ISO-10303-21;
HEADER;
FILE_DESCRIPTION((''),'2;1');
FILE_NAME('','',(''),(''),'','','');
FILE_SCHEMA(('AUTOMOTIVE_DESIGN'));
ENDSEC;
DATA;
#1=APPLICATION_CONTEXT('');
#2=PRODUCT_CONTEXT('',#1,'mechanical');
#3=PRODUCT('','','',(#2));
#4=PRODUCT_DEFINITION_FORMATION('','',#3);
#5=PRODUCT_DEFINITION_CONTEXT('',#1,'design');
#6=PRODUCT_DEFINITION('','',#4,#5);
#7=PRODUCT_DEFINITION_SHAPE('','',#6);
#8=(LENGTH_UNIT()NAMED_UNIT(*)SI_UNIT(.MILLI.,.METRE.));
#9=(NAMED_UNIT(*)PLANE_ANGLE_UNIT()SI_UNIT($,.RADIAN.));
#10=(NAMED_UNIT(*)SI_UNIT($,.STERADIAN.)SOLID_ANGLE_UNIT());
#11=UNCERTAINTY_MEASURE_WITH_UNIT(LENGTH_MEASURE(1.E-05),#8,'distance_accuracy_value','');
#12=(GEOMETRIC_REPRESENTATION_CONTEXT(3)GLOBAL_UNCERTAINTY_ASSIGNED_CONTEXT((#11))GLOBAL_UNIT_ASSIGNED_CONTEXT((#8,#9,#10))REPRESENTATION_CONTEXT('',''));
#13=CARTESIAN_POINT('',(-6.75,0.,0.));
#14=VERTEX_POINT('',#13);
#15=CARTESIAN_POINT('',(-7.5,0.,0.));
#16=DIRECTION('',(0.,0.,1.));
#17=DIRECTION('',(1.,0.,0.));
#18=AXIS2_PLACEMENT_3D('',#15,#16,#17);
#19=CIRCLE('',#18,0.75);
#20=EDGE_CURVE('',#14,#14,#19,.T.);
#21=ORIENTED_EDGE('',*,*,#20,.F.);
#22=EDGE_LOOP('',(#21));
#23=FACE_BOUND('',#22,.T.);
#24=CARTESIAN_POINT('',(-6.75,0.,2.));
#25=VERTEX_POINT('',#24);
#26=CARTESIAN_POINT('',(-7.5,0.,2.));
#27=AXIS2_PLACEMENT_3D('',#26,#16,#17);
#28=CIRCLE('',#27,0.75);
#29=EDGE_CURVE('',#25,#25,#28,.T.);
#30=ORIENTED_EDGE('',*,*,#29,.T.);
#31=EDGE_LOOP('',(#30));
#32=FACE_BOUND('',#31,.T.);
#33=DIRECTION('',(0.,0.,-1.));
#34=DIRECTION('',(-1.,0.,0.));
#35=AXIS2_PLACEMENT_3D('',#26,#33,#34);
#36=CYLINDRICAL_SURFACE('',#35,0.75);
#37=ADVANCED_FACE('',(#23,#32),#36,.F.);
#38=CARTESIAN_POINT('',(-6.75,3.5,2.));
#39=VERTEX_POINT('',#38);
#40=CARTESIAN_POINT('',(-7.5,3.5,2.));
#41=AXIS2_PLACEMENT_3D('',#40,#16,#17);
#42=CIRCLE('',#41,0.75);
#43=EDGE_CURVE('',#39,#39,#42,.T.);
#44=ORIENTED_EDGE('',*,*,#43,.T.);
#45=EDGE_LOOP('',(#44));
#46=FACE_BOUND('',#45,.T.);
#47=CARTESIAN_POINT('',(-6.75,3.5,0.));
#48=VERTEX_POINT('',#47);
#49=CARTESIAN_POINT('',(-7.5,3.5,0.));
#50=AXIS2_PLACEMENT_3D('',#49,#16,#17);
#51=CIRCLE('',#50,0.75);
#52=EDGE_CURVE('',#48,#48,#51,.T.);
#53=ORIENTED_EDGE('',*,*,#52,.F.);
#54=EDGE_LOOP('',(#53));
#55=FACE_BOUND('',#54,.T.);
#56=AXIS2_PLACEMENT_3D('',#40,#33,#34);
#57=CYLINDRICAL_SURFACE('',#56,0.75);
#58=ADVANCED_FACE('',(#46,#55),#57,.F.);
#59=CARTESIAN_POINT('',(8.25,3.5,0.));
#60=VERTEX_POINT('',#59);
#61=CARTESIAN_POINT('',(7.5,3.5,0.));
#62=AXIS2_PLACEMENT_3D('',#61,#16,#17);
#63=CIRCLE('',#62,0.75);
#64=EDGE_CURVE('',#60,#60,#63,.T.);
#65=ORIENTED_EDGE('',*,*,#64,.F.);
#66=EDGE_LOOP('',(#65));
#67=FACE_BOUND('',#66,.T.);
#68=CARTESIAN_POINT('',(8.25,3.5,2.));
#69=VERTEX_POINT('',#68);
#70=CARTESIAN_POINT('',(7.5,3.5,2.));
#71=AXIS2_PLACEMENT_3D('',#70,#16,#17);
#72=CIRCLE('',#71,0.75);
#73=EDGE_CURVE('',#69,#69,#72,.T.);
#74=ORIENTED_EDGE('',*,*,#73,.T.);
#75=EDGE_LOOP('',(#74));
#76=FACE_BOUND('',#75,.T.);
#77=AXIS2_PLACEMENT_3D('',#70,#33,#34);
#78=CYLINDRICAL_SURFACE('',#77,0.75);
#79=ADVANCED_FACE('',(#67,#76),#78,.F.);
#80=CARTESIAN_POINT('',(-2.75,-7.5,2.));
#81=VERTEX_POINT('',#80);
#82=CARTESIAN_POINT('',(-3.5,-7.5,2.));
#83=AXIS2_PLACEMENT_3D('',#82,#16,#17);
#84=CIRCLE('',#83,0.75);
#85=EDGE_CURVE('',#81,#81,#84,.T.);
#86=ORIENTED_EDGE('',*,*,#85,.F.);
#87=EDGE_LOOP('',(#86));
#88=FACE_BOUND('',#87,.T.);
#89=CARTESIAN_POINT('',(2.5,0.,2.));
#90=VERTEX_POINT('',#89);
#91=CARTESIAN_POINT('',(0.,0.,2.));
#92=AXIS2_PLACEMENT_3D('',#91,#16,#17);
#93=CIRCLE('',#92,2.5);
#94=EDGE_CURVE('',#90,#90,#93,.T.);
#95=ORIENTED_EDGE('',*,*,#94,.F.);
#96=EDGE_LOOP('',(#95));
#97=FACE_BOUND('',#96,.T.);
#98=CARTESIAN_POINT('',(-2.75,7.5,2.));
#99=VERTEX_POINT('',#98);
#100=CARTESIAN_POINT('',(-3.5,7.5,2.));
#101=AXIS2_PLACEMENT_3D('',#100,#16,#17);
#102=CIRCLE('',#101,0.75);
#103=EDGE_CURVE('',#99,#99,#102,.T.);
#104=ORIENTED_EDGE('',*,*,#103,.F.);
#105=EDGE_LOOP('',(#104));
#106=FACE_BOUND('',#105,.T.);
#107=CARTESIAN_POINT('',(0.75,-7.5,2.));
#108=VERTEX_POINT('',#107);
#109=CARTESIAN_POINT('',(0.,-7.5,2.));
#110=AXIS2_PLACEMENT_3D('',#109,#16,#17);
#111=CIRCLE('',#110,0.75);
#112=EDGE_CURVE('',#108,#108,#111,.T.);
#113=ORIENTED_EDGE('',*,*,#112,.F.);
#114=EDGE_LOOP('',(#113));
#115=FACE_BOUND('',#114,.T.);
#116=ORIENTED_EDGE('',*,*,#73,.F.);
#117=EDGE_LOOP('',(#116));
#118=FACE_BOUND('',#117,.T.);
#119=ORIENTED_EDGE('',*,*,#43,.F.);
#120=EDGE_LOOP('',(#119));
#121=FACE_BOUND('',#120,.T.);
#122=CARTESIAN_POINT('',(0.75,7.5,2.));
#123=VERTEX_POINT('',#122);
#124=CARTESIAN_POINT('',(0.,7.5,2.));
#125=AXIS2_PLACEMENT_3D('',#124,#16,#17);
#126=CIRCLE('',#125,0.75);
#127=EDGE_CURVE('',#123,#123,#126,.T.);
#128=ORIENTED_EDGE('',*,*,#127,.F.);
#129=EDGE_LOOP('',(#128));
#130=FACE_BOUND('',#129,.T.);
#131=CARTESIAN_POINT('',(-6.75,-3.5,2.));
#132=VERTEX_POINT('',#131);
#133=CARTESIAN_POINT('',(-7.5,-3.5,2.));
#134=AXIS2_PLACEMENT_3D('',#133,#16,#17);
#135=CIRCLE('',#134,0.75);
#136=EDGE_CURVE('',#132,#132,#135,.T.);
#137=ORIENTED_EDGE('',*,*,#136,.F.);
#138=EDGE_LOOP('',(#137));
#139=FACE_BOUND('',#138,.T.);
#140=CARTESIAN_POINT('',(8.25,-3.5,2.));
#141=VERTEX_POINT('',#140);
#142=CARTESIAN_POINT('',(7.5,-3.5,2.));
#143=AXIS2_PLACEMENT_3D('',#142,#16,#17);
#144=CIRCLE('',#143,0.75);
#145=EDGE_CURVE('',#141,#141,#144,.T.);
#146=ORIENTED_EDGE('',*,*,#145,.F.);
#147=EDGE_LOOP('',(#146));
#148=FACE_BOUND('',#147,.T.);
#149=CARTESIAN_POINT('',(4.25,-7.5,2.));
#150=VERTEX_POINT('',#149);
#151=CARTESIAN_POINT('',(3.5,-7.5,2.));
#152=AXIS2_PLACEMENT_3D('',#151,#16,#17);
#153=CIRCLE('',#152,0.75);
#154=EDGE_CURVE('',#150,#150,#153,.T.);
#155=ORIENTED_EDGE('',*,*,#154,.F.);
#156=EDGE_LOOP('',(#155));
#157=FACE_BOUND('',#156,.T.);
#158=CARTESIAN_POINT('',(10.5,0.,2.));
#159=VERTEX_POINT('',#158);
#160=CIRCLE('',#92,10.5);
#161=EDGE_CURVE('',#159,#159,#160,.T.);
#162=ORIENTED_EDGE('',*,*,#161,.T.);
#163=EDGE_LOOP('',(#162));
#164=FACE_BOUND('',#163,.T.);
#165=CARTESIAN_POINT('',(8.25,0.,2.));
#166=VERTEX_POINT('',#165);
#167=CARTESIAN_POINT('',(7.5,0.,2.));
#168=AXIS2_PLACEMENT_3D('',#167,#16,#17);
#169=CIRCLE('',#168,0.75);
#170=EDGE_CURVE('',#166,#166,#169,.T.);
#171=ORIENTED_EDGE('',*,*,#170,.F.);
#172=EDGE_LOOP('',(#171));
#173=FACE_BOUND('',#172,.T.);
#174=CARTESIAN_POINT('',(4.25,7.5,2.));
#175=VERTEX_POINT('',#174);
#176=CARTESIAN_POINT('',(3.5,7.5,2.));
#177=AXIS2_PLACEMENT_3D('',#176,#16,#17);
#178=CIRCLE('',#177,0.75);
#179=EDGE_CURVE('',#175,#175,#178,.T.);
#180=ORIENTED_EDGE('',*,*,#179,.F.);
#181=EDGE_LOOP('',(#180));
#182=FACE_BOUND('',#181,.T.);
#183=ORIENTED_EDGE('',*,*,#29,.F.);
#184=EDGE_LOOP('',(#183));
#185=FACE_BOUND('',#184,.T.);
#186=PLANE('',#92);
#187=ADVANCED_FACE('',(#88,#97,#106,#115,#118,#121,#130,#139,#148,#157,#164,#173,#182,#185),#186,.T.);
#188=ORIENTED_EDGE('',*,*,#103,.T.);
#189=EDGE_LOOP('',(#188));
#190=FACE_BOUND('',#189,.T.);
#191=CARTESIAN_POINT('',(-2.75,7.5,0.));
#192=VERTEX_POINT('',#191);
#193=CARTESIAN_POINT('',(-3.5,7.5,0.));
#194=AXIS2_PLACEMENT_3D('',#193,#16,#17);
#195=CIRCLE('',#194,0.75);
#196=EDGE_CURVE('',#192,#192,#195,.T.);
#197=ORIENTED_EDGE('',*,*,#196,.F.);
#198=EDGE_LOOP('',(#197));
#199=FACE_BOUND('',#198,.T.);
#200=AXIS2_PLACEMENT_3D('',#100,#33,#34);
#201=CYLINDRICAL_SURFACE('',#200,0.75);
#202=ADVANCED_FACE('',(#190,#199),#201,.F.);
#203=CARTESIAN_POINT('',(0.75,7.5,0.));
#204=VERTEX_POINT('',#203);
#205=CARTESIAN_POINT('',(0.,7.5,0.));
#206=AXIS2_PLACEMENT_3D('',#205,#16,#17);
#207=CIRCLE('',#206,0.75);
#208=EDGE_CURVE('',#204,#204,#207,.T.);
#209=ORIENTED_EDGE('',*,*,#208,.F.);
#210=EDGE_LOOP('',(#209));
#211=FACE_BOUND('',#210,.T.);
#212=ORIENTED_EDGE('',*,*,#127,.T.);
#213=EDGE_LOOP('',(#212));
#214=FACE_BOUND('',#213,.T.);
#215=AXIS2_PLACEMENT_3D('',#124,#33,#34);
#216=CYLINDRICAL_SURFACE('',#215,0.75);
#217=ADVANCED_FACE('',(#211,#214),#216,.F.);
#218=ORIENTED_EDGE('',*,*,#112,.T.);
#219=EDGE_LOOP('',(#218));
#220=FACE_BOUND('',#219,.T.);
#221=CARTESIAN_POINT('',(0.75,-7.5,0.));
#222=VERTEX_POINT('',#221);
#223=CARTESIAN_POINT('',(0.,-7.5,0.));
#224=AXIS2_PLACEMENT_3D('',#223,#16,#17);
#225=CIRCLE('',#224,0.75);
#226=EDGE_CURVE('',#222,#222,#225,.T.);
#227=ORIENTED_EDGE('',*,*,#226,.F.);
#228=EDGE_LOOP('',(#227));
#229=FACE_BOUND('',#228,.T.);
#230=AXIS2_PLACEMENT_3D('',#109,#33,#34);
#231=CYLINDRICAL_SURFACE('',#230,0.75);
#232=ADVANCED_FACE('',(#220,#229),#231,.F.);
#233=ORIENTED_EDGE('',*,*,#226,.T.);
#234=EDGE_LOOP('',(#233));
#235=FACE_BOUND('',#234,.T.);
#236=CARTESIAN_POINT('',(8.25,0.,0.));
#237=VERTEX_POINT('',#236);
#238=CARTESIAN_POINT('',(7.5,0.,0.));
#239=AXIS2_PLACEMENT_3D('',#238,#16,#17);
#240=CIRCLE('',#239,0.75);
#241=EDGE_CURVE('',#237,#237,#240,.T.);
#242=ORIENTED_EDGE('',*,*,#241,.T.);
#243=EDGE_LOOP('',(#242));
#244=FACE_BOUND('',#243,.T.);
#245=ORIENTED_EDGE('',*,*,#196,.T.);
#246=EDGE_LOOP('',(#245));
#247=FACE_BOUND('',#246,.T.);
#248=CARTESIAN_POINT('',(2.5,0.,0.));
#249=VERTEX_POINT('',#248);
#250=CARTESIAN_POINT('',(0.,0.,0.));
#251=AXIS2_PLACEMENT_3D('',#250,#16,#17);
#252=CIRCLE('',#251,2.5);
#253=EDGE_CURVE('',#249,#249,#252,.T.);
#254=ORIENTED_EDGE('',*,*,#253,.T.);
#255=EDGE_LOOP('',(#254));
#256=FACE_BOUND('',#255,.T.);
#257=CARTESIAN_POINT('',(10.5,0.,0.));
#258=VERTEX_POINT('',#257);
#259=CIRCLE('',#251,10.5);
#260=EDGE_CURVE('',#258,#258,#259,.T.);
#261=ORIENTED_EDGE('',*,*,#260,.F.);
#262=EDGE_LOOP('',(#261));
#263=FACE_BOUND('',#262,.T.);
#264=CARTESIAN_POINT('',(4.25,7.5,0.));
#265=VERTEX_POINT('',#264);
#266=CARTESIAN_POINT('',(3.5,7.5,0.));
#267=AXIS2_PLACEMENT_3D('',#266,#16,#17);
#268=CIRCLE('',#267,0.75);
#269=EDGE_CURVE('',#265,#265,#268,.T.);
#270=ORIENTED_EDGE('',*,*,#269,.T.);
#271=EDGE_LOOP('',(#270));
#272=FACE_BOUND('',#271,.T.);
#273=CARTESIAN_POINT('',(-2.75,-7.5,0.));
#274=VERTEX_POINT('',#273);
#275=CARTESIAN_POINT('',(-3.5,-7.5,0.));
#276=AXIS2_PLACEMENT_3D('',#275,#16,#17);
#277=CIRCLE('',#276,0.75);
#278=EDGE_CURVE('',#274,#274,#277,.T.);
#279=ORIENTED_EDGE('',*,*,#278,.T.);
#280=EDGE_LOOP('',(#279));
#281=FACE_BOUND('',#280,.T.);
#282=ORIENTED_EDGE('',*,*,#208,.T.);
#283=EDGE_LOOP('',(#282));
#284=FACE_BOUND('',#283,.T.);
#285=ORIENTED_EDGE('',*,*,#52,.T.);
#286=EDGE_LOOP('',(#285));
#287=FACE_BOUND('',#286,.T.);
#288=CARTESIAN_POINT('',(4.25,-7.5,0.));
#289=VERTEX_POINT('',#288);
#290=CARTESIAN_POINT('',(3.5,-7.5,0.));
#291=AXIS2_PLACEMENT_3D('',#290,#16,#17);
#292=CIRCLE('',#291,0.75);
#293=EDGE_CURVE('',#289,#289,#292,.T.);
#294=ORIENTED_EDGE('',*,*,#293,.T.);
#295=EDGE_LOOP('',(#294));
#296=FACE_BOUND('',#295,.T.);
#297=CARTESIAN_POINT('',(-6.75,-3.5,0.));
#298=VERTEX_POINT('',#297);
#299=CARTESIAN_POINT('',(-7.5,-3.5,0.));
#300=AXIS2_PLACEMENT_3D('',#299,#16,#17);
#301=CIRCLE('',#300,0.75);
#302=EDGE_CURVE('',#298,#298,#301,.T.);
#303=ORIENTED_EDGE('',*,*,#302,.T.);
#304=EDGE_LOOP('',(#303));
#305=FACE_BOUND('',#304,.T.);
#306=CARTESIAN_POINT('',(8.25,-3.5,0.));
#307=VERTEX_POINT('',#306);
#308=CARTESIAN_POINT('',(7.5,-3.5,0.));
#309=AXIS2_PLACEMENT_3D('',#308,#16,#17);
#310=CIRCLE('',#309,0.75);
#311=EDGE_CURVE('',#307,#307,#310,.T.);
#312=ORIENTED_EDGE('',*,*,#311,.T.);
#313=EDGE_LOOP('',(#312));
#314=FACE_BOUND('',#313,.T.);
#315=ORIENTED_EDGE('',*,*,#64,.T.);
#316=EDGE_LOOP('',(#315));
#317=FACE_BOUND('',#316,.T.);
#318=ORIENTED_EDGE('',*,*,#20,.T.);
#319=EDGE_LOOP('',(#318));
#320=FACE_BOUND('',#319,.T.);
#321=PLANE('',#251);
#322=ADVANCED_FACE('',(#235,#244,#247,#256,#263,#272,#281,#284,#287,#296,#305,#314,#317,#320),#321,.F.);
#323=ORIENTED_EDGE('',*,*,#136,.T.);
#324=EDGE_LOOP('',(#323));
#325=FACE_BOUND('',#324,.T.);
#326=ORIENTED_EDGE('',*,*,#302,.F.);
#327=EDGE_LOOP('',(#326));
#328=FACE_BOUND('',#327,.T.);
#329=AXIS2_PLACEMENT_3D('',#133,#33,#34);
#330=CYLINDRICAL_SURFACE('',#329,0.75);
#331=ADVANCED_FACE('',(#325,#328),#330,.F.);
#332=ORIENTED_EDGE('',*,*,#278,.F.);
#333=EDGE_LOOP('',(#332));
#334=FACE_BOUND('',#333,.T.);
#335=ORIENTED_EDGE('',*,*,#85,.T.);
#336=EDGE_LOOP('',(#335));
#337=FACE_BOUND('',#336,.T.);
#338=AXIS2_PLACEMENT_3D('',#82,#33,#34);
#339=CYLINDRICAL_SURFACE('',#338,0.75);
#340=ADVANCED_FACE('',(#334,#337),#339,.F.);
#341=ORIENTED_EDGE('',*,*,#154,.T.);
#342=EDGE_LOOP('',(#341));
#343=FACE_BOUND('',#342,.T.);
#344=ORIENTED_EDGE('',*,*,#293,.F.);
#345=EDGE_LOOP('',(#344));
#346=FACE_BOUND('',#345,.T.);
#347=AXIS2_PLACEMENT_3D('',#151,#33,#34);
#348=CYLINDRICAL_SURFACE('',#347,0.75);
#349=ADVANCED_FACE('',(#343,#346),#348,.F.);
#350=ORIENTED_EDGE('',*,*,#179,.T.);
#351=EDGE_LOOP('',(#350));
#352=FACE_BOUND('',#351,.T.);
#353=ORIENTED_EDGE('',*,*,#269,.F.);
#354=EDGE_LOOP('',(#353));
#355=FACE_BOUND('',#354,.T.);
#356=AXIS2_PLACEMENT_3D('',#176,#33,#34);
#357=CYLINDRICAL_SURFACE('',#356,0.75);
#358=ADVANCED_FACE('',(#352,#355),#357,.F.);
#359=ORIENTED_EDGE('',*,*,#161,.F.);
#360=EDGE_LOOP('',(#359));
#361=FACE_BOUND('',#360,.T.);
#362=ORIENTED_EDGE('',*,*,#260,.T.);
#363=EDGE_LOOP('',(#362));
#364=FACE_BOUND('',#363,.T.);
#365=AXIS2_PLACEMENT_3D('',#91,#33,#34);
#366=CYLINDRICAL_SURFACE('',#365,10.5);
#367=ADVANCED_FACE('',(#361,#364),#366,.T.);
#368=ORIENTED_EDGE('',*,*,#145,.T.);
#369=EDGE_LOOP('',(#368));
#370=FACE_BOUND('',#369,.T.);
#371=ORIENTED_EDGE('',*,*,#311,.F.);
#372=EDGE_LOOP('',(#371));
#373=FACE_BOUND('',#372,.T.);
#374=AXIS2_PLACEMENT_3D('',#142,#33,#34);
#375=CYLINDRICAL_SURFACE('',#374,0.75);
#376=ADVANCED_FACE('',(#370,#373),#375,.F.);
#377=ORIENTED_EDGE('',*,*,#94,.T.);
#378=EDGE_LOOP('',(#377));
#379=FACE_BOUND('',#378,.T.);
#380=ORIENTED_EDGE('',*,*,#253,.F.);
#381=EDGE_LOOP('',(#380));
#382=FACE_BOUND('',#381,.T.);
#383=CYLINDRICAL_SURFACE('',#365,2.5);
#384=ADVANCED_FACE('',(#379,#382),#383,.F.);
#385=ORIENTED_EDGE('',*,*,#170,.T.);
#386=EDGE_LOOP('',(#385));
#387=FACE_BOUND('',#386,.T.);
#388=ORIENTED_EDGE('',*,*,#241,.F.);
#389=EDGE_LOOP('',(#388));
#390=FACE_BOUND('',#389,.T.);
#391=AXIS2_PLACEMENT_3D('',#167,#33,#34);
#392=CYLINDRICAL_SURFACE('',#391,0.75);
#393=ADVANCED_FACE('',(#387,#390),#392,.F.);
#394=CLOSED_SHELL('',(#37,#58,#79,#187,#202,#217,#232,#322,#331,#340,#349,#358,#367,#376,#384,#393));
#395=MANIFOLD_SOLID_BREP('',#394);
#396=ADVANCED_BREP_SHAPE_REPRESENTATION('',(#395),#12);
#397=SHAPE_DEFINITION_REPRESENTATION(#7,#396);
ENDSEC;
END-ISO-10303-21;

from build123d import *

# Parameters (mm, degrees)
CROQUIS1_R              = 10.5
CROQUIS1_R_2            = 0.75
CROQUIS1_R_3            = 2.5
SALIENTE_EXTRUIR1_DEPTH = 2


with BuildPart() as part:
    # Croquis1 → Saliente-Extruir1 (new body)
    with BuildSketch(Plane.XY):
        Circle(CROQUIS1_R)
        with Locations((0, 7.5)):
            Circle(CROQUIS1_R_2, mode=Mode.SUBTRACT)
        with Locations((-3.5, 7.5)):
            Circle(CROQUIS1_R_2, mode=Mode.SUBTRACT)
        with Locations((3.5, 7.5)):
            Circle(CROQUIS1_R_2, mode=Mode.SUBTRACT)
        with Locations((7.5, 3.5)):
            Circle(CROQUIS1_R_2, mode=Mode.SUBTRACT)
        with Locations((7.5, 0)):
            Circle(CROQUIS1_R_2, mode=Mode.SUBTRACT)
        with Locations((7.5, -3.5)):
            Circle(CROQUIS1_R_2, mode=Mode.SUBTRACT)
        with Locations((3.5, -7.5)):
            Circle(CROQUIS1_R_2, mode=Mode.SUBTRACT)
        with Locations((0, -7.5)):
            Circle(CROQUIS1_R_2, mode=Mode.SUBTRACT)
        with Locations((-3.5, -7.5)):
            Circle(CROQUIS1_R_2, mode=Mode.SUBTRACT)
        with Locations((-7.5, -3.5)):
            Circle(CROQUIS1_R_2, mode=Mode.SUBTRACT)
        with Locations((-7.5, 0)):
            Circle(CROQUIS1_R_2, mode=Mode.SUBTRACT)
        with Locations((-7.5, 3.5)):
            Circle(CROQUIS1_R_2, mode=Mode.SUBTRACT)
        Circle(CROQUIS1_R_3, mode=Mode.SUBTRACT)
    extrude(amount=SALIENTE_EXTRUIR1_DEPTH)


solid = part.part
